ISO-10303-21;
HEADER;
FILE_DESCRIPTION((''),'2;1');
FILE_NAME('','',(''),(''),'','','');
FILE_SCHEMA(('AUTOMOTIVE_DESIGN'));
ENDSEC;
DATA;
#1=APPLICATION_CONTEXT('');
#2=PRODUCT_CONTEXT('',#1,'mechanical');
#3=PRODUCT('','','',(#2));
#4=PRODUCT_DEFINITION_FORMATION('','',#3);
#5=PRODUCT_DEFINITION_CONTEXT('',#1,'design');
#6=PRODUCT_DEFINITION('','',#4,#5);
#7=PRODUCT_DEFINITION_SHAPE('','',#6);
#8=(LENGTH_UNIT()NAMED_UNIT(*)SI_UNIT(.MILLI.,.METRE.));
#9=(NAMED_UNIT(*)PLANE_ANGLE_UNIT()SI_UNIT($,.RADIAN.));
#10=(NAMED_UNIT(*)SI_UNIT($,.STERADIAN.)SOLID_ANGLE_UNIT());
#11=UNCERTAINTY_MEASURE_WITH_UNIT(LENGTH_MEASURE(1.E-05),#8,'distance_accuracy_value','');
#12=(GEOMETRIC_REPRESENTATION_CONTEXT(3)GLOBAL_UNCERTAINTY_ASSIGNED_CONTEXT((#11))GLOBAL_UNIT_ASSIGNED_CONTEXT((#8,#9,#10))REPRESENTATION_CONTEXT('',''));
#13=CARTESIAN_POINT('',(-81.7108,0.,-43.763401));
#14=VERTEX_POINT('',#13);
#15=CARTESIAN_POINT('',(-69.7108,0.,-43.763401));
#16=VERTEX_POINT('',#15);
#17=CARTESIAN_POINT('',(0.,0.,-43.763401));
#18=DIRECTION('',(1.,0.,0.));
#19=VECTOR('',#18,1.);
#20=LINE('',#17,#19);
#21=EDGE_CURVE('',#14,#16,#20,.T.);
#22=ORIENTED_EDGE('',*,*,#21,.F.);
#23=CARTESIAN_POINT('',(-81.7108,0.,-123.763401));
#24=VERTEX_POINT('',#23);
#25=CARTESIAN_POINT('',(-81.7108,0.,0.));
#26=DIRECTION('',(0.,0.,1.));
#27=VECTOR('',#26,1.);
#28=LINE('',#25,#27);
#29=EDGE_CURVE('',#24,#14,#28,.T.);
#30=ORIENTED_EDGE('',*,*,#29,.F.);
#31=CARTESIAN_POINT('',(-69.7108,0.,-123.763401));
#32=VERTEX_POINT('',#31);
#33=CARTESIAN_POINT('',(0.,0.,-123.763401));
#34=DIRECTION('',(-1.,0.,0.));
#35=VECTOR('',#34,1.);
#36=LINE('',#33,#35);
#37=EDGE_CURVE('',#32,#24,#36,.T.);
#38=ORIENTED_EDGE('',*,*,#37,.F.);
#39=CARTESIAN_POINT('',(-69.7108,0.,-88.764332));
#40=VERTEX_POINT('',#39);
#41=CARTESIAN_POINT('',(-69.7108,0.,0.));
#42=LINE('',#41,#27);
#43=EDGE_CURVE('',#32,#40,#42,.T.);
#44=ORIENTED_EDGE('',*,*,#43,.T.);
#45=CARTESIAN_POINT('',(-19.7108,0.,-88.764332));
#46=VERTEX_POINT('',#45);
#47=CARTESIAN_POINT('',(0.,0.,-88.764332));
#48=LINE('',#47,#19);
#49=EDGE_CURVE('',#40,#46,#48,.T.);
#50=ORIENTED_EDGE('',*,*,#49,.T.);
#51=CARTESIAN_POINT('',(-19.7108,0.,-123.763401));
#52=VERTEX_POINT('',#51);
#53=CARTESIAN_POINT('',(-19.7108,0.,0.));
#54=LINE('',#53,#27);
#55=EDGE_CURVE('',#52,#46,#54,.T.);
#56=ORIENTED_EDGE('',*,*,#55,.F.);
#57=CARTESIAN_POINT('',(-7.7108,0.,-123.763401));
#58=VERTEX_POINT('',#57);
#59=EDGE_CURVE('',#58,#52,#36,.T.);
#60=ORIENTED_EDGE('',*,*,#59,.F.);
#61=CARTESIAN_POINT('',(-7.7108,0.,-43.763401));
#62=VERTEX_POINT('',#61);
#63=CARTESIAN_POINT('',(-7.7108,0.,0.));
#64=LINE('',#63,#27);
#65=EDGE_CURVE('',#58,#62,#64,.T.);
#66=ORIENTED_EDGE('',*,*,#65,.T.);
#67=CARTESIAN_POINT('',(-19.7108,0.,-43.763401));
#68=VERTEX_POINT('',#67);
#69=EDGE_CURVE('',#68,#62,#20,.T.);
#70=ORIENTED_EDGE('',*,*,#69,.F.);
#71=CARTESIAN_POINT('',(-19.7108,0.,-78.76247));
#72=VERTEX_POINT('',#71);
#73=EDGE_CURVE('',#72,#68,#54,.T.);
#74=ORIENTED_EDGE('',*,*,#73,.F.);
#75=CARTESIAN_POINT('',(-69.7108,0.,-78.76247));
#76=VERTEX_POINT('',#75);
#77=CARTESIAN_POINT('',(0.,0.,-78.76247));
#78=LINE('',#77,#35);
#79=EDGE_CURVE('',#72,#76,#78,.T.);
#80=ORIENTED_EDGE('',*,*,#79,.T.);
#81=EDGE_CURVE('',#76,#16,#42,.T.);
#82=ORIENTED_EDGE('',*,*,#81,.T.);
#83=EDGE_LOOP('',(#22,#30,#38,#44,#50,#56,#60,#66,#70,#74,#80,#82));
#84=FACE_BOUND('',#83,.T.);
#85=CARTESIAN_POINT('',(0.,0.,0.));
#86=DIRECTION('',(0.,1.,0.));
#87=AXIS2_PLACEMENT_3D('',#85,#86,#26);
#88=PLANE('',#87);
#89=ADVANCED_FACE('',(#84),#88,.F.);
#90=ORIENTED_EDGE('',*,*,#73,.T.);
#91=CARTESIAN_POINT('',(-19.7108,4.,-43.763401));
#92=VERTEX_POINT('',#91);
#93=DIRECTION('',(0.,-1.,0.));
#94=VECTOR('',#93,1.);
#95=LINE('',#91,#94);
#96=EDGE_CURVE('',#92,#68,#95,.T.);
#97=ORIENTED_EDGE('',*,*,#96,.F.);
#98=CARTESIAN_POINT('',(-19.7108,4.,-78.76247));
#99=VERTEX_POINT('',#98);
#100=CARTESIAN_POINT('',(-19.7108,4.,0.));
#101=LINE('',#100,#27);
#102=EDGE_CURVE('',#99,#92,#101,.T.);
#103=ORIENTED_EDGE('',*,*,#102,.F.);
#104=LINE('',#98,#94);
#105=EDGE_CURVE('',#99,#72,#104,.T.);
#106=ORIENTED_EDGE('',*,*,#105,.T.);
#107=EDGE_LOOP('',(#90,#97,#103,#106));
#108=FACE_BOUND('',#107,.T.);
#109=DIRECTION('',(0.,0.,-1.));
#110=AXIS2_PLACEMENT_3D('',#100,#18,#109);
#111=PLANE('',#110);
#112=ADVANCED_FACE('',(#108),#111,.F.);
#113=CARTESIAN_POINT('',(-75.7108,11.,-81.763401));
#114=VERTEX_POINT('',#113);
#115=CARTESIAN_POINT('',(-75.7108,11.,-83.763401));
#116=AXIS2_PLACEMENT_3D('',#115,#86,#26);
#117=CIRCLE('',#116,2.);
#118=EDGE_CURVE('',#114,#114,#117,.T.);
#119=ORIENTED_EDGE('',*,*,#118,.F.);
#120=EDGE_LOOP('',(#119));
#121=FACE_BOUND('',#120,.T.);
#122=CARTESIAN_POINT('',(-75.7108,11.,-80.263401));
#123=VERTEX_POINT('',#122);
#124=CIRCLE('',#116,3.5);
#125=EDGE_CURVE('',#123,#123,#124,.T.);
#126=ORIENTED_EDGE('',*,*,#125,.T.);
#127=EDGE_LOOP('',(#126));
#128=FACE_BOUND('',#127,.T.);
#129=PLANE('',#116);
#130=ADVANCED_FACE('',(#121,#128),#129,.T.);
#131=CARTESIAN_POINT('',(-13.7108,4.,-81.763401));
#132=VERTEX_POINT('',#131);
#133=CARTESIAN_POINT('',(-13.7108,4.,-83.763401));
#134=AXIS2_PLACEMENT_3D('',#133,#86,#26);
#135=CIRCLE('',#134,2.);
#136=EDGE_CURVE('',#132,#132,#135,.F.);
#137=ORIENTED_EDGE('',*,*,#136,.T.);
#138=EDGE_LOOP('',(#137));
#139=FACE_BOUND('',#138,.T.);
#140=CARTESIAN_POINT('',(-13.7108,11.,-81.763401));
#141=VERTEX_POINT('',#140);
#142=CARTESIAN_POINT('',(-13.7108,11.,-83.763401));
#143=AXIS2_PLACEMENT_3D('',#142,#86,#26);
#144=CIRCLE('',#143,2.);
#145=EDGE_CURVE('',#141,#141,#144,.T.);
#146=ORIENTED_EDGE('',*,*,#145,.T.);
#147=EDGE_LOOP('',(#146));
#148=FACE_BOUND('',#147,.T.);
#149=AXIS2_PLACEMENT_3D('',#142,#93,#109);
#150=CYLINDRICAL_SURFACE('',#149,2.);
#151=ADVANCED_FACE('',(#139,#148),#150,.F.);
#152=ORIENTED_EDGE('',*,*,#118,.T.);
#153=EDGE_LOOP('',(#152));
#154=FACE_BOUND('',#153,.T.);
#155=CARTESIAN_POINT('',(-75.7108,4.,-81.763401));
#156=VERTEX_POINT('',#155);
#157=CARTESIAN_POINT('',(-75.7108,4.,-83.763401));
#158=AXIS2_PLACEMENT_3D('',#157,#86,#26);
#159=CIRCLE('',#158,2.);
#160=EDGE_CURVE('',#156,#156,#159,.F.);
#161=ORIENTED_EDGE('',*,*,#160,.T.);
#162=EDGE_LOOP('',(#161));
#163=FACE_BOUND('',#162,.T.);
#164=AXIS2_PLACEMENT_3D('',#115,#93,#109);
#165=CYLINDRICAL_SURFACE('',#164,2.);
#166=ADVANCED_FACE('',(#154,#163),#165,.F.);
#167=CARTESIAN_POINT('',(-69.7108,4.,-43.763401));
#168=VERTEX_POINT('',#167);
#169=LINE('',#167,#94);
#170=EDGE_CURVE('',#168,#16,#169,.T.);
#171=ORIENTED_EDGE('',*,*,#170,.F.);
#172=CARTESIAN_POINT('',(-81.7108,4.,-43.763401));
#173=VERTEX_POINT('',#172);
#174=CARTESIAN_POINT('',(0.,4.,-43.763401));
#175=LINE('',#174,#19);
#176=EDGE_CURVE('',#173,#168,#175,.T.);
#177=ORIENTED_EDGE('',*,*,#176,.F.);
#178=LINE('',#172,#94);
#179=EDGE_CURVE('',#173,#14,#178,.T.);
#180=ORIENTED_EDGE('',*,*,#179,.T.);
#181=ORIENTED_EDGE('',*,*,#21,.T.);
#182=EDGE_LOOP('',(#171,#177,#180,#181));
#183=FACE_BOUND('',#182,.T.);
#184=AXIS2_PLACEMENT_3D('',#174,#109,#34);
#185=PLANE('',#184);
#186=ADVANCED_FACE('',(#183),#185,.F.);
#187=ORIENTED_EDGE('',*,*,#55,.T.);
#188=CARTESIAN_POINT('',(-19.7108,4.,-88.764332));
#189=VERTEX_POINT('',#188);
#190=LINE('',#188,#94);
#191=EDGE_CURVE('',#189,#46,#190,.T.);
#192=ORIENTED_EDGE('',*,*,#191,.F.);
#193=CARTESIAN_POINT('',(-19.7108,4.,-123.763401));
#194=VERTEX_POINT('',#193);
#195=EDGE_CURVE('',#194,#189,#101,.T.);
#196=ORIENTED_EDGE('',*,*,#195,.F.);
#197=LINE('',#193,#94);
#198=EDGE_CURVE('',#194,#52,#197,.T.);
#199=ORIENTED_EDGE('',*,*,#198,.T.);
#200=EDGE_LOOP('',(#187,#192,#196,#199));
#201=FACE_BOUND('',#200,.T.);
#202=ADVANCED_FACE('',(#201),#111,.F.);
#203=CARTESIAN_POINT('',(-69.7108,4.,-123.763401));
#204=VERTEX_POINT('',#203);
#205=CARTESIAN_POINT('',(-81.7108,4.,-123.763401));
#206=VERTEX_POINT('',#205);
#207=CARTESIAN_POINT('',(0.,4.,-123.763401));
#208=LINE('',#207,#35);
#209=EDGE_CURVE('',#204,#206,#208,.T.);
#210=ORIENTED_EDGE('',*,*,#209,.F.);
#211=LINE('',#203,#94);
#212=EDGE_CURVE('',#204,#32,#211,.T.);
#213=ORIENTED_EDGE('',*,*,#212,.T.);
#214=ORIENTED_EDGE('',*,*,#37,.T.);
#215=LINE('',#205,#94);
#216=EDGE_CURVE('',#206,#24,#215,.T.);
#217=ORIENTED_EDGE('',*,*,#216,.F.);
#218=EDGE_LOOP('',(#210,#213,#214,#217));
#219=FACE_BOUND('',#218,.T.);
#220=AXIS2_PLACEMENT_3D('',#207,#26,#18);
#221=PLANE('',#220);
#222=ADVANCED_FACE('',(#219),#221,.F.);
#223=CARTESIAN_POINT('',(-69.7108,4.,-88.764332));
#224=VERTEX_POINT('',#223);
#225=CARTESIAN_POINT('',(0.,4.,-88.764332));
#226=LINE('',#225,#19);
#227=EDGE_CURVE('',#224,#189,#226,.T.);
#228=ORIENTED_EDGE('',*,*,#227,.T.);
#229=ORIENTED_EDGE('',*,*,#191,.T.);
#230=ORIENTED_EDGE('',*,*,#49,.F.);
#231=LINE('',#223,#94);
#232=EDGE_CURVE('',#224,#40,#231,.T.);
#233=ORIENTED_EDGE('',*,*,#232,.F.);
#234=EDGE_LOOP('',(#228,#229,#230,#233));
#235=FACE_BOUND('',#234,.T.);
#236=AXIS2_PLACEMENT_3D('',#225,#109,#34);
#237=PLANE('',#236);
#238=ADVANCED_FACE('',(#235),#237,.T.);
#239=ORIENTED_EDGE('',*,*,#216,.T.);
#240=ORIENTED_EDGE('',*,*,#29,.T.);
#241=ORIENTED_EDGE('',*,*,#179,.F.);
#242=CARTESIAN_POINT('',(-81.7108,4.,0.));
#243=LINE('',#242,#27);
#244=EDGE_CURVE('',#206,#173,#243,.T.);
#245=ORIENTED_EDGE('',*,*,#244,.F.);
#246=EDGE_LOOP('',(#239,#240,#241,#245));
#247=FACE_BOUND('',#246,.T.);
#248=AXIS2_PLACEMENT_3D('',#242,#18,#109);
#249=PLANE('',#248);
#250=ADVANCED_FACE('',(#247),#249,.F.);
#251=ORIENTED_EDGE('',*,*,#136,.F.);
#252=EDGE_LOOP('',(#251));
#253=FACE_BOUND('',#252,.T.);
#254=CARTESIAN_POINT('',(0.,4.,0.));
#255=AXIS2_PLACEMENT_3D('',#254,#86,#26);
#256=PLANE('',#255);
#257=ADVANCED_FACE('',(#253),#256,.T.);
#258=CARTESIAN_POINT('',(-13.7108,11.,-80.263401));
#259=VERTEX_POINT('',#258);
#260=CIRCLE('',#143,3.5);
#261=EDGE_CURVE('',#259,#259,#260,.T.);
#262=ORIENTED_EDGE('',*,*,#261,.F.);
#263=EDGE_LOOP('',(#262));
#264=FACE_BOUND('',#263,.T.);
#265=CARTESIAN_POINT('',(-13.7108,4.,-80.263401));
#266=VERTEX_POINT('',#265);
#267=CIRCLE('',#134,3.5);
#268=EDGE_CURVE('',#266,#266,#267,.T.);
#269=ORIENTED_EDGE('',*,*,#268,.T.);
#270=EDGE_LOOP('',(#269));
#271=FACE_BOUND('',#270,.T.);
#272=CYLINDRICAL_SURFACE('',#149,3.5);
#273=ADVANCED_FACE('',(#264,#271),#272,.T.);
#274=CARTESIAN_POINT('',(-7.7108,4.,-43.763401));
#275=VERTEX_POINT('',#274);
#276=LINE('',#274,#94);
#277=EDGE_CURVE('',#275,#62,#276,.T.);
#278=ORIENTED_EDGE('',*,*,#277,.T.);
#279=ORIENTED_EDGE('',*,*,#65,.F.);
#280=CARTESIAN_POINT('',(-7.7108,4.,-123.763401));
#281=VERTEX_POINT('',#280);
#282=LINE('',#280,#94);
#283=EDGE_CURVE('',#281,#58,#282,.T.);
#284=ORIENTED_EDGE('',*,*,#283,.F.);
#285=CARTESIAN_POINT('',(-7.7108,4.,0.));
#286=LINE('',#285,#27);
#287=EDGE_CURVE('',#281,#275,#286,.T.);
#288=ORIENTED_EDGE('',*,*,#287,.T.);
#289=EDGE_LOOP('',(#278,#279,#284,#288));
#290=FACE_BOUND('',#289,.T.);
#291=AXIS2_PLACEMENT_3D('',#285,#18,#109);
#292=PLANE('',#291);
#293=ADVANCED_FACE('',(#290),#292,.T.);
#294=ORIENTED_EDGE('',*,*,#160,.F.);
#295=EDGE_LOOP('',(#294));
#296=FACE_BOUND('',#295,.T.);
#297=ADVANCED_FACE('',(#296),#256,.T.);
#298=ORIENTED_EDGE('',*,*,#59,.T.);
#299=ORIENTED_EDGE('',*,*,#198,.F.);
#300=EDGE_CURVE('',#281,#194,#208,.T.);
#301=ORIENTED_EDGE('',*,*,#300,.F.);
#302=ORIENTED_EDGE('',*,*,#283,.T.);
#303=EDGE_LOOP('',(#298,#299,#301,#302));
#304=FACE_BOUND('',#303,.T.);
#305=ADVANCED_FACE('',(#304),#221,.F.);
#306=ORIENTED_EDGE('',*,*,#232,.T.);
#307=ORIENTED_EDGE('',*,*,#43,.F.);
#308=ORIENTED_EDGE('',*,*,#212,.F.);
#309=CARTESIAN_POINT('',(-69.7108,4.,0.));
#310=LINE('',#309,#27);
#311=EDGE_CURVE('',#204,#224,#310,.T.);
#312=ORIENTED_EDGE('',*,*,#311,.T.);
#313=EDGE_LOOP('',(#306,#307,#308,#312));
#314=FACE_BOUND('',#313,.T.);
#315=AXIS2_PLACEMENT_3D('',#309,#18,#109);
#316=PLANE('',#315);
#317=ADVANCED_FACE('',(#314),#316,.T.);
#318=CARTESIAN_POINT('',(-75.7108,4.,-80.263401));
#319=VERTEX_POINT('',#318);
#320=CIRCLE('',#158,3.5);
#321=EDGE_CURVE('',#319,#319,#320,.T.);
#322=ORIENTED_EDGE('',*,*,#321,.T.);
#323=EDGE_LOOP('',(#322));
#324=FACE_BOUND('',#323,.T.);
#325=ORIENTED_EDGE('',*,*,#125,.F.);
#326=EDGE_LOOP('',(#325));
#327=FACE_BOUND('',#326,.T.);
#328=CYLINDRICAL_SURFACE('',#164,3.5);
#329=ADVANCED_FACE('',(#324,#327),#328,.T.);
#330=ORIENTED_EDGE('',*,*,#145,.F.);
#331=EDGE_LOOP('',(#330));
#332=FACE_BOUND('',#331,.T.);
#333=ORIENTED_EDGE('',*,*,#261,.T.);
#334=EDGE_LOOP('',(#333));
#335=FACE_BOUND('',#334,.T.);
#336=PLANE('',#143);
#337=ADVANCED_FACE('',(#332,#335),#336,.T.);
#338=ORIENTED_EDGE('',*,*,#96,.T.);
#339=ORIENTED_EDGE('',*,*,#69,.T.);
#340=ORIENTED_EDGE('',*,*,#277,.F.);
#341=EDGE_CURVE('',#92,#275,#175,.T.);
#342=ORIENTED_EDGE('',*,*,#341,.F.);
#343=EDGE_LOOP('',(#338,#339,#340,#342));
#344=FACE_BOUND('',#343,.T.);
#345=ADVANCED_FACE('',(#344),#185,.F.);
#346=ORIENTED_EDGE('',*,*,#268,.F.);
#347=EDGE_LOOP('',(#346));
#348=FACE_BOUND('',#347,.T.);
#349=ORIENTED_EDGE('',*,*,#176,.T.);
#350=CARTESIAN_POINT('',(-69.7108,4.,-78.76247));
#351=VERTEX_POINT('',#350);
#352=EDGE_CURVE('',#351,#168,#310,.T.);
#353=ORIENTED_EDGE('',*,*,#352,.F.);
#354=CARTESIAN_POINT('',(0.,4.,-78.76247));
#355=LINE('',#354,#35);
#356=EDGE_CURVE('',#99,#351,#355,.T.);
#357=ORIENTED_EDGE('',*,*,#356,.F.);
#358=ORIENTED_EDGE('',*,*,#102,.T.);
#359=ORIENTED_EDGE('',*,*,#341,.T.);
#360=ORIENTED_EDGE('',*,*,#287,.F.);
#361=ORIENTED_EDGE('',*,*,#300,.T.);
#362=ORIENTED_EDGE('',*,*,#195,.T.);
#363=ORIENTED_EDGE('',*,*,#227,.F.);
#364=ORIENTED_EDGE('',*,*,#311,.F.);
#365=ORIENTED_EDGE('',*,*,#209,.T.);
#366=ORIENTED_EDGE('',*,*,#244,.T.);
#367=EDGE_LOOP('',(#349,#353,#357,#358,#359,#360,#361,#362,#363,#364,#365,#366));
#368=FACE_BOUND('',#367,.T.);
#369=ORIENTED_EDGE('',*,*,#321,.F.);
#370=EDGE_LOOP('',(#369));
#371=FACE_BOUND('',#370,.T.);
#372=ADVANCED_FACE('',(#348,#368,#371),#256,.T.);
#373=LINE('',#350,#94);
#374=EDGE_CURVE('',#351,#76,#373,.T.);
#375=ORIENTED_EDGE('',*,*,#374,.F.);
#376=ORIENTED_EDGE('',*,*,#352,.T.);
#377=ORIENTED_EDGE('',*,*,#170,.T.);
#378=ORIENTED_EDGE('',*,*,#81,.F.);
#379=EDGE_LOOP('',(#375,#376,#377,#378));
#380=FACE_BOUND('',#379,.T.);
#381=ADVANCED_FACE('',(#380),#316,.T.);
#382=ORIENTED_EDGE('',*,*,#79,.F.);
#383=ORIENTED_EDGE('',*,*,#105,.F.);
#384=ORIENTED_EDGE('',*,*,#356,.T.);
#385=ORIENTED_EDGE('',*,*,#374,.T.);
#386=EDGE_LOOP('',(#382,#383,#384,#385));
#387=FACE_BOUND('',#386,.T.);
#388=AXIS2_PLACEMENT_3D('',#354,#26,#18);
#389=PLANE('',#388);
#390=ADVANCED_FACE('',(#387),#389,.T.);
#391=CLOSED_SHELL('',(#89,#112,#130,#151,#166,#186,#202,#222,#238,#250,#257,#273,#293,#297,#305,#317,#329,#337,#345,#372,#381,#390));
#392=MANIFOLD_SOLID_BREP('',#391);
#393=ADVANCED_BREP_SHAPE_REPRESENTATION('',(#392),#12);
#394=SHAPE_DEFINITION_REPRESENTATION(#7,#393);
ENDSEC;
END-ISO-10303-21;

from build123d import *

# Parameters (mm, degrees)
SKETCH3_W           = 12
SKETCH3_H           = 80
SKETCH3_W_2         = 50
SKETCH3_H_2         = 10.001862112
BOSS_EXTRUDE1_DEPTH = 4
SKETCH4_R           = 3.5
SKETCH4_R_2         = 2
BOSS_EXTRUDE2_DEPTH = 7


with BuildPart() as part:
    # Sketch3 → Boss-Extrude1 (new body)
    with BuildSketch(Plane(origin=(0, 0, 0), x_dir=(1, 0, 0), z_dir=(0, 1, 0))):
        with Locations((-75.710799504, 83.763400912)):
            Rectangle(SKETCH3_W, SKETCH3_H)
        with Locations((-44.710799504, 83.763400912)):
            Rectangle(SKETCH3_W_2, SKETCH3_H_2)
        with Locations((-13.710799504, 83.763400912)):
            Rectangle(SKETCH3_W, SKETCH3_H)
    extrude(amount=BOSS_EXTRUDE1_DEPTH)

    # Sketch4 → Boss-Extrude2 (add)
    # profile 1 of 2: a face of its own
    with BuildSketch(Plane(origin=(0, 4, 0), x_dir=(1, 0, 0), z_dir=(0, 1, 0))):
        with Locations(Location((-75.710799504, 83.763400912, 0), (0, 0, 270))):
            Circle(SKETCH4_R)
        with Locations(Location((-75.710799504, 83.763400912, 0), (0, 0, 270))):
            Circle(SKETCH4_R_2, mode=Mode.SUBTRACT)
    # profile 2 of 2: a face of its own
    with BuildSketch(Plane(origin=(0, 4, 0), x_dir=(1, 0, 0), z_dir=(0, 1, 0))):
        with Locations(Location((-13.710799504, 83.763400912, 0), (0, 0, 270))):
            Circle(SKETCH4_R)
        with Locations(Location((-13.710799504, 83.763400912, 0), (0, 0, 270))):
            Circle(SKETCH4_R_2, mode=Mode.SUBTRACT)
    extrude(amount=BOSS_EXTRUDE2_DEPTH)


solid = part.part
